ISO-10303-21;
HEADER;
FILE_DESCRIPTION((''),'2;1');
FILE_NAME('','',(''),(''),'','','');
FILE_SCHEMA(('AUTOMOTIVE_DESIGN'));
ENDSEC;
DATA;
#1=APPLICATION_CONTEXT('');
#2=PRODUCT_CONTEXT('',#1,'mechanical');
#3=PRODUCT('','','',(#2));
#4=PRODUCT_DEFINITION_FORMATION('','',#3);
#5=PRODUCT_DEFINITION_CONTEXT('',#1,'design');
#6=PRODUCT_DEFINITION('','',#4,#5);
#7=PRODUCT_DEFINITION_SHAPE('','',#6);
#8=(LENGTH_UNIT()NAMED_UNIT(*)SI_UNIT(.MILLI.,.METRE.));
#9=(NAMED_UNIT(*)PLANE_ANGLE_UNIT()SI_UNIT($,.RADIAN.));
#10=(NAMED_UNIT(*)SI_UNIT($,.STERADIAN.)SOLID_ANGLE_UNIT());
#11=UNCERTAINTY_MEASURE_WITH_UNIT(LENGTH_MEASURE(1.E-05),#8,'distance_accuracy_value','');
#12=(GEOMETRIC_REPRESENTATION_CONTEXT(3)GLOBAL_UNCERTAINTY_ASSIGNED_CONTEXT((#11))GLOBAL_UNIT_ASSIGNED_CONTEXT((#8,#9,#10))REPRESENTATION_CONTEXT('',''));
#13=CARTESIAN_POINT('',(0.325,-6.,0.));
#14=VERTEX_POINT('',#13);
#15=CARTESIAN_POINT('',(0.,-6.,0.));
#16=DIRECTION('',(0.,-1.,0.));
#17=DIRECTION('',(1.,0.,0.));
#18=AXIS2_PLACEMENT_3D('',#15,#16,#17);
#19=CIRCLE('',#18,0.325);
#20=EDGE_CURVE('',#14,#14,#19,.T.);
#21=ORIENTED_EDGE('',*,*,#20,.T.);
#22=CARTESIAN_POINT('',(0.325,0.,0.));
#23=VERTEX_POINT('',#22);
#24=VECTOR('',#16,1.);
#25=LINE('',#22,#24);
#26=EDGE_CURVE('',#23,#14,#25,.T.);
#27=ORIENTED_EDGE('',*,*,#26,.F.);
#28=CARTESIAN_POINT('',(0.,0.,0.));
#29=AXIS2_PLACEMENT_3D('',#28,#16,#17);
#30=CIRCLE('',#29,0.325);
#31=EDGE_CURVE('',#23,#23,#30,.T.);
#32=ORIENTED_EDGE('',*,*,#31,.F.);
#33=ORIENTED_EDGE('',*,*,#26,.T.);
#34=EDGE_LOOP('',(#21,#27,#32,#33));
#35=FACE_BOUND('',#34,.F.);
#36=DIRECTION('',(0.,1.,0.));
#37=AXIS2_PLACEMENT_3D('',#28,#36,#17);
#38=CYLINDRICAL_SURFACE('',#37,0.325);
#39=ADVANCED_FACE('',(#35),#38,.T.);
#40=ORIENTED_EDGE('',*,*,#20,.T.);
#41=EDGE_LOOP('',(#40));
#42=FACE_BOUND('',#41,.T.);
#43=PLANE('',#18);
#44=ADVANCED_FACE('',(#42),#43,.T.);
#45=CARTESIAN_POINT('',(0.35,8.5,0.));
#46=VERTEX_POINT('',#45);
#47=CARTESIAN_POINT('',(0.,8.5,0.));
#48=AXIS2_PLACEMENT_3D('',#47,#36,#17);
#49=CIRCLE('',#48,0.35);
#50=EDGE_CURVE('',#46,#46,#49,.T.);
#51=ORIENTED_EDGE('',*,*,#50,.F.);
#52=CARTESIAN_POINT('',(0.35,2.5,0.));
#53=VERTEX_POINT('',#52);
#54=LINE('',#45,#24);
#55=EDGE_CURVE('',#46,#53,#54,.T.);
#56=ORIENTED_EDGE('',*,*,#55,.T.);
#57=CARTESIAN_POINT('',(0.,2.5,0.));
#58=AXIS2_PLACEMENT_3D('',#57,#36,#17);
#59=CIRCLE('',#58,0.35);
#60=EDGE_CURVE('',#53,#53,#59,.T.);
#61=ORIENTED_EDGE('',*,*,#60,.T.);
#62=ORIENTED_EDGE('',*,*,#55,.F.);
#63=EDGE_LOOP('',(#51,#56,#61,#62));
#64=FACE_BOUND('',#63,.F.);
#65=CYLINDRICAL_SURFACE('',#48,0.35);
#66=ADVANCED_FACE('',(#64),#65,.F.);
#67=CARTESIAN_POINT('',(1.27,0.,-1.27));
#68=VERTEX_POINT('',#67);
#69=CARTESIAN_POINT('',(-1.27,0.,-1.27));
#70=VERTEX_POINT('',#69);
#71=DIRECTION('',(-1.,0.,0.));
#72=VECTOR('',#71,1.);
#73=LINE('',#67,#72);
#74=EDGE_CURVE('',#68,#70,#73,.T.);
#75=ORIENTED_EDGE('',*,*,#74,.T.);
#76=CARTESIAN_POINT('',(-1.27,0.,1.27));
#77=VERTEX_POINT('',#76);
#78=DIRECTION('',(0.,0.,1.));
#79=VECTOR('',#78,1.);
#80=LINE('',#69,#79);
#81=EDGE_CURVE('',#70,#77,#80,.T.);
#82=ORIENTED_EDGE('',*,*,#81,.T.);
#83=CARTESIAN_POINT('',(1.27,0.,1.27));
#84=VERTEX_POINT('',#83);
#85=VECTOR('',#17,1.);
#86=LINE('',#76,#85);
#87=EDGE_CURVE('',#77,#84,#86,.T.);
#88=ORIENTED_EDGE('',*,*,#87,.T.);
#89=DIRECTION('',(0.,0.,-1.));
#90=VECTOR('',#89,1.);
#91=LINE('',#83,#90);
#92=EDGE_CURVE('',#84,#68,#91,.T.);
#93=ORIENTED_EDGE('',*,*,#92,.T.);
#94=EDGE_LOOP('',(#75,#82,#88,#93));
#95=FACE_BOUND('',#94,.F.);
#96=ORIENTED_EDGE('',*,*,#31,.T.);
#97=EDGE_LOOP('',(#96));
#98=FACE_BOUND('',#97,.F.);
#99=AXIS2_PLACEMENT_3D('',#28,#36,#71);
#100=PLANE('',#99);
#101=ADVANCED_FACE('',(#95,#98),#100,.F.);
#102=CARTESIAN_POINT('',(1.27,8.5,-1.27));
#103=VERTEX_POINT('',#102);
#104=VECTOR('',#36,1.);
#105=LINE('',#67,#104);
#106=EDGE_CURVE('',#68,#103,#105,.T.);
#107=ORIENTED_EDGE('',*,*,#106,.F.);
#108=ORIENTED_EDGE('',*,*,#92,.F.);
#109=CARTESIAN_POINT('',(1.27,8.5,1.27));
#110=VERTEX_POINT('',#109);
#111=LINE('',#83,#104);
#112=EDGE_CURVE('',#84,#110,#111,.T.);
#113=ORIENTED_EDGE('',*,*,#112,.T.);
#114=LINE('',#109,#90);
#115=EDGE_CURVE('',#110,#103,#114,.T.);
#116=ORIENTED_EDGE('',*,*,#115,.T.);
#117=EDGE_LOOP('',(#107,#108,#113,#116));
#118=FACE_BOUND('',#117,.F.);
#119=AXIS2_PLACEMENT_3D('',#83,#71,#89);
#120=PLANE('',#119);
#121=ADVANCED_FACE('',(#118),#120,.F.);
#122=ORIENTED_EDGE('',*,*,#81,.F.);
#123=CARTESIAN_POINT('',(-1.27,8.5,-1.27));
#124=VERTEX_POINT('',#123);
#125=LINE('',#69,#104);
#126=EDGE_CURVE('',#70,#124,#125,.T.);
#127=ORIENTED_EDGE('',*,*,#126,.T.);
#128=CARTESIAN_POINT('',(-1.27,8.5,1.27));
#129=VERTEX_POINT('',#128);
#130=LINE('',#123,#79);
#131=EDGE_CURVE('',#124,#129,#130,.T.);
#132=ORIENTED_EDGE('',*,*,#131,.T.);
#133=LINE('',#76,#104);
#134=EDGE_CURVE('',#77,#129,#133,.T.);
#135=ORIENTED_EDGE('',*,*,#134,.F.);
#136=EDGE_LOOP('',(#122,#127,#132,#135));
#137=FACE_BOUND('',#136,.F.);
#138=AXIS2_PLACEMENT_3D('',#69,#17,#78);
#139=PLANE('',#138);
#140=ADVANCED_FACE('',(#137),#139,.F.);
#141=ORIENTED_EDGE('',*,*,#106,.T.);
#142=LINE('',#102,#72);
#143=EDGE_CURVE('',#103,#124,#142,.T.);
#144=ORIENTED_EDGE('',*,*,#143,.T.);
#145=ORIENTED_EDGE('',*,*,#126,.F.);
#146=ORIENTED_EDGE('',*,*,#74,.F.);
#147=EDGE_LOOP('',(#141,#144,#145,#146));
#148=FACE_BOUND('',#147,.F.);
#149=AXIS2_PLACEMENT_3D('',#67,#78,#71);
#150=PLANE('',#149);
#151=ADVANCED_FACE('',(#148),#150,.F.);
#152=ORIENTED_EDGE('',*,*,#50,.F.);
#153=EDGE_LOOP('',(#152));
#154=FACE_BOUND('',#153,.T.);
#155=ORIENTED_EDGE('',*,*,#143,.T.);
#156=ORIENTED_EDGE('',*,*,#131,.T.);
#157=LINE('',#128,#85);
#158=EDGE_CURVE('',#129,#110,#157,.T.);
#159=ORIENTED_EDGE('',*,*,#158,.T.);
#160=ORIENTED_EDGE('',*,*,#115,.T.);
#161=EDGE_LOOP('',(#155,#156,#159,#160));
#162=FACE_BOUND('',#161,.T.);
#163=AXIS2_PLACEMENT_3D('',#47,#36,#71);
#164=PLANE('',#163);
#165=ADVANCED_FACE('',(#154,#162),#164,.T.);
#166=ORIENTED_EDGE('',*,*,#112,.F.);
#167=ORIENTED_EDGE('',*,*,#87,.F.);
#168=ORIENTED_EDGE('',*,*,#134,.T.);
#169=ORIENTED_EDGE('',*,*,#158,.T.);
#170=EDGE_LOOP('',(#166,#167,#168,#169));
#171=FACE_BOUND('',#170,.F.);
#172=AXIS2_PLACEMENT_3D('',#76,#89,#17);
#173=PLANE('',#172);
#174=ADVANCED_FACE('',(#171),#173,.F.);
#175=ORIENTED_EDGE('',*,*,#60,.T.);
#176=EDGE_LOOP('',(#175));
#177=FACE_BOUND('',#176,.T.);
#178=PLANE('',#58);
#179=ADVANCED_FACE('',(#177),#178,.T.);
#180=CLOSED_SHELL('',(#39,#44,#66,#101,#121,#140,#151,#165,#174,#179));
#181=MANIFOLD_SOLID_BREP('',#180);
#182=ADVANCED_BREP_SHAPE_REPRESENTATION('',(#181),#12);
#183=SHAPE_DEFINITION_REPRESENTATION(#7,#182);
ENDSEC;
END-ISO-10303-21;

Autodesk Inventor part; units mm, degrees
ref_plane "YZ Plane" through (0, 0, 0) normal (1, 0, 0) x (0, 1, 0)
ref_plane "XZ Plane" through (0, 0, 0) normal (0, 1, 0) x (-1, 0, 0)
ref_plane "XY Plane" through (0, 0, 0) normal (0, 0, 1) x (1, 0, 0)
sketch "Sketch1" plane through (0, 0, 0) normal (0, 1, 0) x (-1, 0, 0)
  line L0 (-1.27, -1.27) -> (1.27, -1.27)
  line L1 (1.27, -1.27) -> (1.27, 1.27)
  line L2 (1.27, 1.27) -> (-1.27, 1.27)
  line L3 (-1.27, 1.27) -> (-1.27, -1.27)
  line L4 (-1.27, -1.27) -> (1.27, 1.27) construction
  line L5 (1.27, -1.27) -> (-1.27, 1.27) construction
  point P0 (0, 0)
  dimension "d0" = 2.54
  dimension "d1" = 2.54
extrude "Extrusion1" add sketch "Sketch1" along normal blind 8.5
sketch "Sketch2" plane through (0, 8.5, 0) normal (0, 1, 0) x (1, 0, 0)
  circle A0 centre (0, 0) radius 0.35
  dimension "d4" = 0.7
extrude "Extrusion2" cut sketch "Sketch2" against normal blind 6
sketch "Sketch3" plane through (0, 0, 0) normal (0, -1, 0) x (1, 0, 0)
  circle A0 centre (0, 0) radius 0.325
  dimension "d7" = 0.65
extrude "Extrusion3" add sketch "Sketch3" along normal blind 6
properties part number "pin-header-female" material "Aluminum"
